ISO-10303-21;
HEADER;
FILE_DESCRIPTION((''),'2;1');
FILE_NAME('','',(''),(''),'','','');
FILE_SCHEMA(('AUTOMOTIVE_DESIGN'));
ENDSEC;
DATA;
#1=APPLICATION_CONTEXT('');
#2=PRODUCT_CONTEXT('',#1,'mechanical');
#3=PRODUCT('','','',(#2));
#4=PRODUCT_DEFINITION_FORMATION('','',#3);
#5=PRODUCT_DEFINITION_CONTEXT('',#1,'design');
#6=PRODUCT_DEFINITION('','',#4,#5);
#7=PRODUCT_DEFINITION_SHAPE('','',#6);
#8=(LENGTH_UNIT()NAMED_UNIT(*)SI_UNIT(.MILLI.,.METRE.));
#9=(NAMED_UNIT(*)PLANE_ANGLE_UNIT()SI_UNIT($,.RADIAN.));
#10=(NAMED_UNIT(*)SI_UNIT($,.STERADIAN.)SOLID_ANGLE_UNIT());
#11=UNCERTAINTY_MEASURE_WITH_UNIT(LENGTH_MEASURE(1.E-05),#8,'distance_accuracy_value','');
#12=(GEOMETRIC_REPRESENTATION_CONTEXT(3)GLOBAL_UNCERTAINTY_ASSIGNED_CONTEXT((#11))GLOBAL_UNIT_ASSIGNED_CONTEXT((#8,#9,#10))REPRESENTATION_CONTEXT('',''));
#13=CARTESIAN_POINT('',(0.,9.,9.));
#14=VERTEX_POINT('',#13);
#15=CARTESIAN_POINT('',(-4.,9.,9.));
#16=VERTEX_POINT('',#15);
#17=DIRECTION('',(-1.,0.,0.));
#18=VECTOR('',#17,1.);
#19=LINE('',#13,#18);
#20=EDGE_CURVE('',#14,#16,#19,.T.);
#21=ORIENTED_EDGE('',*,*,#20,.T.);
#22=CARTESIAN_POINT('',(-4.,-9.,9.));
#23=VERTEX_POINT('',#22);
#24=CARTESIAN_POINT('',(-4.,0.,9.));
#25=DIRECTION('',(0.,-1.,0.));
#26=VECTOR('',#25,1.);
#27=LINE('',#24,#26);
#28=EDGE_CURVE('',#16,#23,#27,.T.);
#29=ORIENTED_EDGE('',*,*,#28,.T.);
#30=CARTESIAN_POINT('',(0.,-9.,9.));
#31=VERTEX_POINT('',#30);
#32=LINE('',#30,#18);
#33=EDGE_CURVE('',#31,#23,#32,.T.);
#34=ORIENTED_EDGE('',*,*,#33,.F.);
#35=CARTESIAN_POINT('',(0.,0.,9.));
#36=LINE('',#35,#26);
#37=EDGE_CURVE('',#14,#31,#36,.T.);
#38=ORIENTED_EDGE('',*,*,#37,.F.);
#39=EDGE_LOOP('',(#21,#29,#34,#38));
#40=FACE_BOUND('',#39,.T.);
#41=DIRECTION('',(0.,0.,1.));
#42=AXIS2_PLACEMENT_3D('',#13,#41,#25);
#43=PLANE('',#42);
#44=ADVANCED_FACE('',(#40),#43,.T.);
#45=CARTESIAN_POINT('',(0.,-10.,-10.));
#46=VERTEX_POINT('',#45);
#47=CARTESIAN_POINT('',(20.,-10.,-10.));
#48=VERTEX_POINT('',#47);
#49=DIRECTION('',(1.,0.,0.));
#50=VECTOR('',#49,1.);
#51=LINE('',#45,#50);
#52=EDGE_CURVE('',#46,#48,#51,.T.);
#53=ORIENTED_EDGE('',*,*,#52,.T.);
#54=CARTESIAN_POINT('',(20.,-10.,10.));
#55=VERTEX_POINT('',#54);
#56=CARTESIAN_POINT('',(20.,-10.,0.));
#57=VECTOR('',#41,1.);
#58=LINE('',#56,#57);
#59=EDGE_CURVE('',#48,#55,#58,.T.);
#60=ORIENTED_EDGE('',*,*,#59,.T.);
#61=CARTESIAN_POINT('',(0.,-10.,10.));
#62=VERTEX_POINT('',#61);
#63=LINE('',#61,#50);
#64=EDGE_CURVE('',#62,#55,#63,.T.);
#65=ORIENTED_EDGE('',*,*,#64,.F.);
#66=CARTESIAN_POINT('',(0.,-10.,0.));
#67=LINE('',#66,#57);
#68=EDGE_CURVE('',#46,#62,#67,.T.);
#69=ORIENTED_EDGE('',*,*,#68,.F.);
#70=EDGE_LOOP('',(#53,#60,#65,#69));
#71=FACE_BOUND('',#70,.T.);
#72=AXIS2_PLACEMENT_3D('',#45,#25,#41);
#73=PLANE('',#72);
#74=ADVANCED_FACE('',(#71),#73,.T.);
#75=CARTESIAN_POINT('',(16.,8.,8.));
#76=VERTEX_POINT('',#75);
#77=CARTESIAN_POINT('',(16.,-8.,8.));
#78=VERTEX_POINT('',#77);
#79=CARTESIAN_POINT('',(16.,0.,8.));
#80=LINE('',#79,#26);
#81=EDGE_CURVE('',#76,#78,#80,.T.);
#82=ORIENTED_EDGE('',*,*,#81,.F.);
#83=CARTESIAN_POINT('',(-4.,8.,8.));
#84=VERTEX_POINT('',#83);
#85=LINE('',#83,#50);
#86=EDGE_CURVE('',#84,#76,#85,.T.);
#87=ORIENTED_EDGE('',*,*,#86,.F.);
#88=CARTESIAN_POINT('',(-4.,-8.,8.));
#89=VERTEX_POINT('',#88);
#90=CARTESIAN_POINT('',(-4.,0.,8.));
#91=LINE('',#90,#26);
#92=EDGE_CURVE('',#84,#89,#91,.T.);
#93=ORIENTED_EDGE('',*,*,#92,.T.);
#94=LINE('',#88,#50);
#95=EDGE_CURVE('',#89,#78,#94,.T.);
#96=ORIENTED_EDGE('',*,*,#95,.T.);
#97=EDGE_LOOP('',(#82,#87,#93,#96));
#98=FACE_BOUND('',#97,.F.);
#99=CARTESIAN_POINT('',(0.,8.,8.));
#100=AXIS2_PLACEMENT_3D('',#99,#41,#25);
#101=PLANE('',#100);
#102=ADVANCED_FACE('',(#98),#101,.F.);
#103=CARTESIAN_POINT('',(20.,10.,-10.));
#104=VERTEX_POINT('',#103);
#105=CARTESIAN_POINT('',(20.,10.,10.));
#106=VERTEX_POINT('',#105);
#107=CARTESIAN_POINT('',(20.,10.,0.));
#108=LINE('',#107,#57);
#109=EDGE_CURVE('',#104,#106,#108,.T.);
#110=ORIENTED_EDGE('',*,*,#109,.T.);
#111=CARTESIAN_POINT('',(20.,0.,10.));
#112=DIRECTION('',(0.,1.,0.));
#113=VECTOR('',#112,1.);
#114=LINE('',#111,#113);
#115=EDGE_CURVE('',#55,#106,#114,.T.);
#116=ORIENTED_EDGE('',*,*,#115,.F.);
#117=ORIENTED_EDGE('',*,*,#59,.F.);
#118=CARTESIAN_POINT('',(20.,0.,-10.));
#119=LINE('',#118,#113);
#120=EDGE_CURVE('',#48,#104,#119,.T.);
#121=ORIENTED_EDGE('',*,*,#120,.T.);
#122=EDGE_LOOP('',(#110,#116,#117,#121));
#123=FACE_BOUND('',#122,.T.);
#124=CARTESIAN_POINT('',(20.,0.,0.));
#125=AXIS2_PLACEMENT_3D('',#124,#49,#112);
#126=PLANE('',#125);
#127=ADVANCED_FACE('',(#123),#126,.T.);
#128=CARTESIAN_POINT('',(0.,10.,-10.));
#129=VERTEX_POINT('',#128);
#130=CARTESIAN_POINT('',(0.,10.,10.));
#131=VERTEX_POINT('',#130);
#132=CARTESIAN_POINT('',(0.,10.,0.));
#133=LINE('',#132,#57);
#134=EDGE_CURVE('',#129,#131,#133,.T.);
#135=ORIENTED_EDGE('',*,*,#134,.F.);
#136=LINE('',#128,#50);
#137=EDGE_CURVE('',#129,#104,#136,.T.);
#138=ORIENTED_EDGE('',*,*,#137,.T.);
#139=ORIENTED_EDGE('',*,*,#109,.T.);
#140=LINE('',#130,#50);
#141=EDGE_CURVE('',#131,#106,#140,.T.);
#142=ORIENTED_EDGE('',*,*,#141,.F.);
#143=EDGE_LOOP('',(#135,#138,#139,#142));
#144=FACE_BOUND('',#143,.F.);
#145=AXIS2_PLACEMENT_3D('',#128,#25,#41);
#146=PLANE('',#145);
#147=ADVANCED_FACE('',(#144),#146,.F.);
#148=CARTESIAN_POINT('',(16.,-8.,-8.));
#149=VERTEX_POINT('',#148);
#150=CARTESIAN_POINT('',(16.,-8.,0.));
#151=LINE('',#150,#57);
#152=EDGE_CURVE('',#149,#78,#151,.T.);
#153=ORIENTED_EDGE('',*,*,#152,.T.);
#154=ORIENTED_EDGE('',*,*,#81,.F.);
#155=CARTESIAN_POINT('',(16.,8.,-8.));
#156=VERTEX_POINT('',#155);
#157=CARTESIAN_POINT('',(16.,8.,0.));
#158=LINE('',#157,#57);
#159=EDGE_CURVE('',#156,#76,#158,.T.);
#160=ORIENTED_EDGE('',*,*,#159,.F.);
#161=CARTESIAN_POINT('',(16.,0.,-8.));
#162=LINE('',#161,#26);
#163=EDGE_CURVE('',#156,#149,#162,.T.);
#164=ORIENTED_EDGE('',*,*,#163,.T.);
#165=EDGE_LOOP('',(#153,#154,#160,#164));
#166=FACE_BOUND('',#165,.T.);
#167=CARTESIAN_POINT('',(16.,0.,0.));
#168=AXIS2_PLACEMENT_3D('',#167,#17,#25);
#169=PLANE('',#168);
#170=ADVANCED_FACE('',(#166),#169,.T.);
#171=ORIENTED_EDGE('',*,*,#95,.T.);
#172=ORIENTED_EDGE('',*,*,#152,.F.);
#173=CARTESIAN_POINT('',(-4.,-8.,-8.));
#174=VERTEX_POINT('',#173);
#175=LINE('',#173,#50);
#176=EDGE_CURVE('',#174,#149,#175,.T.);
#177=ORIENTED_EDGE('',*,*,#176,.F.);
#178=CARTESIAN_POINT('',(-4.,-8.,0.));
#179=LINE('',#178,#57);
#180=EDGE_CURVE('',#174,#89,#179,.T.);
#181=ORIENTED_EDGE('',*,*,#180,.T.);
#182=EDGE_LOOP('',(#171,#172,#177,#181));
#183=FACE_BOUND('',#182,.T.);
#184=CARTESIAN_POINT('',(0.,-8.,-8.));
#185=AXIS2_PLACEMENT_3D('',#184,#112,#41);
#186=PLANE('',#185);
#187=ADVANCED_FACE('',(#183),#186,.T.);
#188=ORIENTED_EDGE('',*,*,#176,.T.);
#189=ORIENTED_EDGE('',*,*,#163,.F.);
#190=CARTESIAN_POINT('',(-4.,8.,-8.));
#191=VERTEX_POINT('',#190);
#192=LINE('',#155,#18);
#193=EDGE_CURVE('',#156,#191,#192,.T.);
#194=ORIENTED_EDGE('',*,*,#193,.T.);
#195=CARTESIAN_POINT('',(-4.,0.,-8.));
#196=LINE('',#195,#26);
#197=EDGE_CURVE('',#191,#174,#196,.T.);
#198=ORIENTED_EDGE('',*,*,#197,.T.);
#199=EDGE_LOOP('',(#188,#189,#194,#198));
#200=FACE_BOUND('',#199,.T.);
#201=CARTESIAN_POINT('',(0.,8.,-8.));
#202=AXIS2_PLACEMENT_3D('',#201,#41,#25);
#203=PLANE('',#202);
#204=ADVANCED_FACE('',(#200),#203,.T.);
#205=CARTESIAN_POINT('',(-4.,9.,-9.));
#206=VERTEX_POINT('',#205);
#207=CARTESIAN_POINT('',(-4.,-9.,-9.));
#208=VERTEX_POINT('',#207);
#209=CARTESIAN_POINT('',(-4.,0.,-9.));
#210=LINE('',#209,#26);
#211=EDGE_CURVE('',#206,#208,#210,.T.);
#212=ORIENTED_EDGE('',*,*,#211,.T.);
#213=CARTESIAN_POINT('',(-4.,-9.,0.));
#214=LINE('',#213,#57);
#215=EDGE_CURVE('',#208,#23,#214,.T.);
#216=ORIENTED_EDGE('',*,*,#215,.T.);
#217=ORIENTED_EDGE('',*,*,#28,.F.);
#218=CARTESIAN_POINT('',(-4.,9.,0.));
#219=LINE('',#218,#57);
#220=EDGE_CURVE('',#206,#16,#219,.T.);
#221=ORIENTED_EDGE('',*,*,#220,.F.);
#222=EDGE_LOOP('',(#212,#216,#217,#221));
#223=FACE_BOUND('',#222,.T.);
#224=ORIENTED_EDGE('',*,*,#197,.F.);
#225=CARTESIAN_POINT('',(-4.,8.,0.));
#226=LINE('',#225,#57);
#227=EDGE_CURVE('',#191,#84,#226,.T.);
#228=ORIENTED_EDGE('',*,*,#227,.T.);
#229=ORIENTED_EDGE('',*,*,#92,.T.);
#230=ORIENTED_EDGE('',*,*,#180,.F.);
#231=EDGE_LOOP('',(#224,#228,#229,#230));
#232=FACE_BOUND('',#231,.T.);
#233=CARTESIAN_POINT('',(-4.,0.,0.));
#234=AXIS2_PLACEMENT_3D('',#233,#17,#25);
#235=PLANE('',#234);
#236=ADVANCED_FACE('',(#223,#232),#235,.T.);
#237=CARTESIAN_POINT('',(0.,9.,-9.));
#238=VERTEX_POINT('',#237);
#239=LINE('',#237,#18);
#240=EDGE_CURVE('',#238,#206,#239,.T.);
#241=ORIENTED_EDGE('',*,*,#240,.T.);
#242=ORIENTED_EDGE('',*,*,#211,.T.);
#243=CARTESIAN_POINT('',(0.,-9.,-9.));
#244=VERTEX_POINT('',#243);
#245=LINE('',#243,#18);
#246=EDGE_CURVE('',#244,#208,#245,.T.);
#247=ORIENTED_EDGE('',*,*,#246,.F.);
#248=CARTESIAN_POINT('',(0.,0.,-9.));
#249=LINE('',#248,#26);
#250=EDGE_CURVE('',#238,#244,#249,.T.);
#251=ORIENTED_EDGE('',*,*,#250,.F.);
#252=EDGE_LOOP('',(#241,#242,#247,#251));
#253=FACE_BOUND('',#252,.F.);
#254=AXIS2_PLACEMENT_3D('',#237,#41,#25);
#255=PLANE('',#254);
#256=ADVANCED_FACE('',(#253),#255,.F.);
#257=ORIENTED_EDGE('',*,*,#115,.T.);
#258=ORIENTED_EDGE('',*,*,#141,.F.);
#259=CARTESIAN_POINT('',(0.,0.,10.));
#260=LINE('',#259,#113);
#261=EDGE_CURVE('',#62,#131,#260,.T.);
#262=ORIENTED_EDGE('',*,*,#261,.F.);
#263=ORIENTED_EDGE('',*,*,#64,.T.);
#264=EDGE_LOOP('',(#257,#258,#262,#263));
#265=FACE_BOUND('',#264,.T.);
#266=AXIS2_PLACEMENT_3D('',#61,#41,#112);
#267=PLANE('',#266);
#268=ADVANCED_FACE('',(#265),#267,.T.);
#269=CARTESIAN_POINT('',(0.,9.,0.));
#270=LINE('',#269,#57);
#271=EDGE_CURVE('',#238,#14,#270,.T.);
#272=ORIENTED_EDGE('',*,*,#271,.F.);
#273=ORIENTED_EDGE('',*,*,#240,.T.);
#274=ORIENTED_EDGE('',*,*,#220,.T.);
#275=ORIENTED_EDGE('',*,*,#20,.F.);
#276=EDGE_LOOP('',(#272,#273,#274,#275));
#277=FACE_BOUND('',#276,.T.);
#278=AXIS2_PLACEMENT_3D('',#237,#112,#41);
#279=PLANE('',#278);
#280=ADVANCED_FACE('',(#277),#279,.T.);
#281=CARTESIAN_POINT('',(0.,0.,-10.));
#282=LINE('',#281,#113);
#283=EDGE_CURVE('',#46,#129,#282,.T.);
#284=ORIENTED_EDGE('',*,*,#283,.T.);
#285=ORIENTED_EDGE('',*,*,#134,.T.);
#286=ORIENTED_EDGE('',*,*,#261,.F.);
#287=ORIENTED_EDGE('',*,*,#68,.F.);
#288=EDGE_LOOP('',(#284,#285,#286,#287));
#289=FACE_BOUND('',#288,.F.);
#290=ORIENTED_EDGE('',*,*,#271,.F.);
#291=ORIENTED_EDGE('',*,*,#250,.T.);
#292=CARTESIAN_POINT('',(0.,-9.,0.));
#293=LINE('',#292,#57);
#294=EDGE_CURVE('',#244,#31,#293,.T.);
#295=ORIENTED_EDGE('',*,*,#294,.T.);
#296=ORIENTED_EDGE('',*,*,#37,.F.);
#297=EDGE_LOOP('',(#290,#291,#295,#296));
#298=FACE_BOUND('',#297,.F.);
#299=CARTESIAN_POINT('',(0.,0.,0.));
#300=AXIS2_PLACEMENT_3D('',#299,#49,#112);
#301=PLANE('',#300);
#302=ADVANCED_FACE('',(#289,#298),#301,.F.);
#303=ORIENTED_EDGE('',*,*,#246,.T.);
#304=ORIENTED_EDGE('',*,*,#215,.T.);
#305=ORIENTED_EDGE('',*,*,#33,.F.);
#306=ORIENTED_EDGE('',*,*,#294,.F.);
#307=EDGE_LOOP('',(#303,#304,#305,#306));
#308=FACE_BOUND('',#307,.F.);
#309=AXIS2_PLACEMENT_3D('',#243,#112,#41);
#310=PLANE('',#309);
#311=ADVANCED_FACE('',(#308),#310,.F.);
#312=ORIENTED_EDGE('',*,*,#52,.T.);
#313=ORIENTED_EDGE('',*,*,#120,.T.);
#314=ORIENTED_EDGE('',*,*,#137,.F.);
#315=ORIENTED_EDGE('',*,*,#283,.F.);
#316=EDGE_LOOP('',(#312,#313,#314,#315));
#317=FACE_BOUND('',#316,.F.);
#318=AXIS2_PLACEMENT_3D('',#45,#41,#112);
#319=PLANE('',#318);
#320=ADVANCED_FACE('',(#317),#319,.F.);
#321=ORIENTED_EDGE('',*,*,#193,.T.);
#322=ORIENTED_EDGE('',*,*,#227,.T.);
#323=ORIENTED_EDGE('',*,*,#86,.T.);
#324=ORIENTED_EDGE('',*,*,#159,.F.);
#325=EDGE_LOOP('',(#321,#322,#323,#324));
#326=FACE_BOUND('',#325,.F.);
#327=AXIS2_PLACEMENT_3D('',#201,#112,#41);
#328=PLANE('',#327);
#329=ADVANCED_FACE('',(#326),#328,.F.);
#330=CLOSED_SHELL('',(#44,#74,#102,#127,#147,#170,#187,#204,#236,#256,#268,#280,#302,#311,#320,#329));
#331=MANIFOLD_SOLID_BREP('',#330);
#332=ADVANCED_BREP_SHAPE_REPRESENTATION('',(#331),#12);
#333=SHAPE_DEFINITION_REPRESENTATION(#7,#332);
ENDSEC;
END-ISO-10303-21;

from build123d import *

# Parameters (mm, degrees)
F0_W     = 20
F0_H     = 20
F1_DEPTH = 20
F2_W     = 16
F2_H     = 16
F3_DEPTH = 16
F4_W     = 18
F4_H     = 18
F4_W_2   = 16
F4_H_2   = 16
F5_DEPTH = 4


with BuildPart() as f1:
    # F0 (on Right) → F1 (new body)
    with BuildSketch(Plane.YZ):
        Rectangle(F0_W, F0_H)
    extrude(amount=F1_DEPTH)

    # F2 (on face) → F3 (cut)
    with BuildSketch(Plane(origin=(0, 0, 0), x_dir=(0, -1, 0), z_dir=(-1, 0, 0))):
        Rectangle(F2_W, F2_H)
    extrude(amount=-F3_DEPTH, mode=Mode.SUBTRACT)

    # F4 (on face) → F5 (join)
    with BuildSketch(Plane(origin=(0, 0, 0), x_dir=(0, -1, 0), z_dir=(-1, 0, 0))):
        Rectangle(F4_W, F4_H)
        Rectangle(F4_W_2, F4_H_2, mode=Mode.SUBTRACT)
    extrude(amount=F5_DEPTH)


solid = f1.part
